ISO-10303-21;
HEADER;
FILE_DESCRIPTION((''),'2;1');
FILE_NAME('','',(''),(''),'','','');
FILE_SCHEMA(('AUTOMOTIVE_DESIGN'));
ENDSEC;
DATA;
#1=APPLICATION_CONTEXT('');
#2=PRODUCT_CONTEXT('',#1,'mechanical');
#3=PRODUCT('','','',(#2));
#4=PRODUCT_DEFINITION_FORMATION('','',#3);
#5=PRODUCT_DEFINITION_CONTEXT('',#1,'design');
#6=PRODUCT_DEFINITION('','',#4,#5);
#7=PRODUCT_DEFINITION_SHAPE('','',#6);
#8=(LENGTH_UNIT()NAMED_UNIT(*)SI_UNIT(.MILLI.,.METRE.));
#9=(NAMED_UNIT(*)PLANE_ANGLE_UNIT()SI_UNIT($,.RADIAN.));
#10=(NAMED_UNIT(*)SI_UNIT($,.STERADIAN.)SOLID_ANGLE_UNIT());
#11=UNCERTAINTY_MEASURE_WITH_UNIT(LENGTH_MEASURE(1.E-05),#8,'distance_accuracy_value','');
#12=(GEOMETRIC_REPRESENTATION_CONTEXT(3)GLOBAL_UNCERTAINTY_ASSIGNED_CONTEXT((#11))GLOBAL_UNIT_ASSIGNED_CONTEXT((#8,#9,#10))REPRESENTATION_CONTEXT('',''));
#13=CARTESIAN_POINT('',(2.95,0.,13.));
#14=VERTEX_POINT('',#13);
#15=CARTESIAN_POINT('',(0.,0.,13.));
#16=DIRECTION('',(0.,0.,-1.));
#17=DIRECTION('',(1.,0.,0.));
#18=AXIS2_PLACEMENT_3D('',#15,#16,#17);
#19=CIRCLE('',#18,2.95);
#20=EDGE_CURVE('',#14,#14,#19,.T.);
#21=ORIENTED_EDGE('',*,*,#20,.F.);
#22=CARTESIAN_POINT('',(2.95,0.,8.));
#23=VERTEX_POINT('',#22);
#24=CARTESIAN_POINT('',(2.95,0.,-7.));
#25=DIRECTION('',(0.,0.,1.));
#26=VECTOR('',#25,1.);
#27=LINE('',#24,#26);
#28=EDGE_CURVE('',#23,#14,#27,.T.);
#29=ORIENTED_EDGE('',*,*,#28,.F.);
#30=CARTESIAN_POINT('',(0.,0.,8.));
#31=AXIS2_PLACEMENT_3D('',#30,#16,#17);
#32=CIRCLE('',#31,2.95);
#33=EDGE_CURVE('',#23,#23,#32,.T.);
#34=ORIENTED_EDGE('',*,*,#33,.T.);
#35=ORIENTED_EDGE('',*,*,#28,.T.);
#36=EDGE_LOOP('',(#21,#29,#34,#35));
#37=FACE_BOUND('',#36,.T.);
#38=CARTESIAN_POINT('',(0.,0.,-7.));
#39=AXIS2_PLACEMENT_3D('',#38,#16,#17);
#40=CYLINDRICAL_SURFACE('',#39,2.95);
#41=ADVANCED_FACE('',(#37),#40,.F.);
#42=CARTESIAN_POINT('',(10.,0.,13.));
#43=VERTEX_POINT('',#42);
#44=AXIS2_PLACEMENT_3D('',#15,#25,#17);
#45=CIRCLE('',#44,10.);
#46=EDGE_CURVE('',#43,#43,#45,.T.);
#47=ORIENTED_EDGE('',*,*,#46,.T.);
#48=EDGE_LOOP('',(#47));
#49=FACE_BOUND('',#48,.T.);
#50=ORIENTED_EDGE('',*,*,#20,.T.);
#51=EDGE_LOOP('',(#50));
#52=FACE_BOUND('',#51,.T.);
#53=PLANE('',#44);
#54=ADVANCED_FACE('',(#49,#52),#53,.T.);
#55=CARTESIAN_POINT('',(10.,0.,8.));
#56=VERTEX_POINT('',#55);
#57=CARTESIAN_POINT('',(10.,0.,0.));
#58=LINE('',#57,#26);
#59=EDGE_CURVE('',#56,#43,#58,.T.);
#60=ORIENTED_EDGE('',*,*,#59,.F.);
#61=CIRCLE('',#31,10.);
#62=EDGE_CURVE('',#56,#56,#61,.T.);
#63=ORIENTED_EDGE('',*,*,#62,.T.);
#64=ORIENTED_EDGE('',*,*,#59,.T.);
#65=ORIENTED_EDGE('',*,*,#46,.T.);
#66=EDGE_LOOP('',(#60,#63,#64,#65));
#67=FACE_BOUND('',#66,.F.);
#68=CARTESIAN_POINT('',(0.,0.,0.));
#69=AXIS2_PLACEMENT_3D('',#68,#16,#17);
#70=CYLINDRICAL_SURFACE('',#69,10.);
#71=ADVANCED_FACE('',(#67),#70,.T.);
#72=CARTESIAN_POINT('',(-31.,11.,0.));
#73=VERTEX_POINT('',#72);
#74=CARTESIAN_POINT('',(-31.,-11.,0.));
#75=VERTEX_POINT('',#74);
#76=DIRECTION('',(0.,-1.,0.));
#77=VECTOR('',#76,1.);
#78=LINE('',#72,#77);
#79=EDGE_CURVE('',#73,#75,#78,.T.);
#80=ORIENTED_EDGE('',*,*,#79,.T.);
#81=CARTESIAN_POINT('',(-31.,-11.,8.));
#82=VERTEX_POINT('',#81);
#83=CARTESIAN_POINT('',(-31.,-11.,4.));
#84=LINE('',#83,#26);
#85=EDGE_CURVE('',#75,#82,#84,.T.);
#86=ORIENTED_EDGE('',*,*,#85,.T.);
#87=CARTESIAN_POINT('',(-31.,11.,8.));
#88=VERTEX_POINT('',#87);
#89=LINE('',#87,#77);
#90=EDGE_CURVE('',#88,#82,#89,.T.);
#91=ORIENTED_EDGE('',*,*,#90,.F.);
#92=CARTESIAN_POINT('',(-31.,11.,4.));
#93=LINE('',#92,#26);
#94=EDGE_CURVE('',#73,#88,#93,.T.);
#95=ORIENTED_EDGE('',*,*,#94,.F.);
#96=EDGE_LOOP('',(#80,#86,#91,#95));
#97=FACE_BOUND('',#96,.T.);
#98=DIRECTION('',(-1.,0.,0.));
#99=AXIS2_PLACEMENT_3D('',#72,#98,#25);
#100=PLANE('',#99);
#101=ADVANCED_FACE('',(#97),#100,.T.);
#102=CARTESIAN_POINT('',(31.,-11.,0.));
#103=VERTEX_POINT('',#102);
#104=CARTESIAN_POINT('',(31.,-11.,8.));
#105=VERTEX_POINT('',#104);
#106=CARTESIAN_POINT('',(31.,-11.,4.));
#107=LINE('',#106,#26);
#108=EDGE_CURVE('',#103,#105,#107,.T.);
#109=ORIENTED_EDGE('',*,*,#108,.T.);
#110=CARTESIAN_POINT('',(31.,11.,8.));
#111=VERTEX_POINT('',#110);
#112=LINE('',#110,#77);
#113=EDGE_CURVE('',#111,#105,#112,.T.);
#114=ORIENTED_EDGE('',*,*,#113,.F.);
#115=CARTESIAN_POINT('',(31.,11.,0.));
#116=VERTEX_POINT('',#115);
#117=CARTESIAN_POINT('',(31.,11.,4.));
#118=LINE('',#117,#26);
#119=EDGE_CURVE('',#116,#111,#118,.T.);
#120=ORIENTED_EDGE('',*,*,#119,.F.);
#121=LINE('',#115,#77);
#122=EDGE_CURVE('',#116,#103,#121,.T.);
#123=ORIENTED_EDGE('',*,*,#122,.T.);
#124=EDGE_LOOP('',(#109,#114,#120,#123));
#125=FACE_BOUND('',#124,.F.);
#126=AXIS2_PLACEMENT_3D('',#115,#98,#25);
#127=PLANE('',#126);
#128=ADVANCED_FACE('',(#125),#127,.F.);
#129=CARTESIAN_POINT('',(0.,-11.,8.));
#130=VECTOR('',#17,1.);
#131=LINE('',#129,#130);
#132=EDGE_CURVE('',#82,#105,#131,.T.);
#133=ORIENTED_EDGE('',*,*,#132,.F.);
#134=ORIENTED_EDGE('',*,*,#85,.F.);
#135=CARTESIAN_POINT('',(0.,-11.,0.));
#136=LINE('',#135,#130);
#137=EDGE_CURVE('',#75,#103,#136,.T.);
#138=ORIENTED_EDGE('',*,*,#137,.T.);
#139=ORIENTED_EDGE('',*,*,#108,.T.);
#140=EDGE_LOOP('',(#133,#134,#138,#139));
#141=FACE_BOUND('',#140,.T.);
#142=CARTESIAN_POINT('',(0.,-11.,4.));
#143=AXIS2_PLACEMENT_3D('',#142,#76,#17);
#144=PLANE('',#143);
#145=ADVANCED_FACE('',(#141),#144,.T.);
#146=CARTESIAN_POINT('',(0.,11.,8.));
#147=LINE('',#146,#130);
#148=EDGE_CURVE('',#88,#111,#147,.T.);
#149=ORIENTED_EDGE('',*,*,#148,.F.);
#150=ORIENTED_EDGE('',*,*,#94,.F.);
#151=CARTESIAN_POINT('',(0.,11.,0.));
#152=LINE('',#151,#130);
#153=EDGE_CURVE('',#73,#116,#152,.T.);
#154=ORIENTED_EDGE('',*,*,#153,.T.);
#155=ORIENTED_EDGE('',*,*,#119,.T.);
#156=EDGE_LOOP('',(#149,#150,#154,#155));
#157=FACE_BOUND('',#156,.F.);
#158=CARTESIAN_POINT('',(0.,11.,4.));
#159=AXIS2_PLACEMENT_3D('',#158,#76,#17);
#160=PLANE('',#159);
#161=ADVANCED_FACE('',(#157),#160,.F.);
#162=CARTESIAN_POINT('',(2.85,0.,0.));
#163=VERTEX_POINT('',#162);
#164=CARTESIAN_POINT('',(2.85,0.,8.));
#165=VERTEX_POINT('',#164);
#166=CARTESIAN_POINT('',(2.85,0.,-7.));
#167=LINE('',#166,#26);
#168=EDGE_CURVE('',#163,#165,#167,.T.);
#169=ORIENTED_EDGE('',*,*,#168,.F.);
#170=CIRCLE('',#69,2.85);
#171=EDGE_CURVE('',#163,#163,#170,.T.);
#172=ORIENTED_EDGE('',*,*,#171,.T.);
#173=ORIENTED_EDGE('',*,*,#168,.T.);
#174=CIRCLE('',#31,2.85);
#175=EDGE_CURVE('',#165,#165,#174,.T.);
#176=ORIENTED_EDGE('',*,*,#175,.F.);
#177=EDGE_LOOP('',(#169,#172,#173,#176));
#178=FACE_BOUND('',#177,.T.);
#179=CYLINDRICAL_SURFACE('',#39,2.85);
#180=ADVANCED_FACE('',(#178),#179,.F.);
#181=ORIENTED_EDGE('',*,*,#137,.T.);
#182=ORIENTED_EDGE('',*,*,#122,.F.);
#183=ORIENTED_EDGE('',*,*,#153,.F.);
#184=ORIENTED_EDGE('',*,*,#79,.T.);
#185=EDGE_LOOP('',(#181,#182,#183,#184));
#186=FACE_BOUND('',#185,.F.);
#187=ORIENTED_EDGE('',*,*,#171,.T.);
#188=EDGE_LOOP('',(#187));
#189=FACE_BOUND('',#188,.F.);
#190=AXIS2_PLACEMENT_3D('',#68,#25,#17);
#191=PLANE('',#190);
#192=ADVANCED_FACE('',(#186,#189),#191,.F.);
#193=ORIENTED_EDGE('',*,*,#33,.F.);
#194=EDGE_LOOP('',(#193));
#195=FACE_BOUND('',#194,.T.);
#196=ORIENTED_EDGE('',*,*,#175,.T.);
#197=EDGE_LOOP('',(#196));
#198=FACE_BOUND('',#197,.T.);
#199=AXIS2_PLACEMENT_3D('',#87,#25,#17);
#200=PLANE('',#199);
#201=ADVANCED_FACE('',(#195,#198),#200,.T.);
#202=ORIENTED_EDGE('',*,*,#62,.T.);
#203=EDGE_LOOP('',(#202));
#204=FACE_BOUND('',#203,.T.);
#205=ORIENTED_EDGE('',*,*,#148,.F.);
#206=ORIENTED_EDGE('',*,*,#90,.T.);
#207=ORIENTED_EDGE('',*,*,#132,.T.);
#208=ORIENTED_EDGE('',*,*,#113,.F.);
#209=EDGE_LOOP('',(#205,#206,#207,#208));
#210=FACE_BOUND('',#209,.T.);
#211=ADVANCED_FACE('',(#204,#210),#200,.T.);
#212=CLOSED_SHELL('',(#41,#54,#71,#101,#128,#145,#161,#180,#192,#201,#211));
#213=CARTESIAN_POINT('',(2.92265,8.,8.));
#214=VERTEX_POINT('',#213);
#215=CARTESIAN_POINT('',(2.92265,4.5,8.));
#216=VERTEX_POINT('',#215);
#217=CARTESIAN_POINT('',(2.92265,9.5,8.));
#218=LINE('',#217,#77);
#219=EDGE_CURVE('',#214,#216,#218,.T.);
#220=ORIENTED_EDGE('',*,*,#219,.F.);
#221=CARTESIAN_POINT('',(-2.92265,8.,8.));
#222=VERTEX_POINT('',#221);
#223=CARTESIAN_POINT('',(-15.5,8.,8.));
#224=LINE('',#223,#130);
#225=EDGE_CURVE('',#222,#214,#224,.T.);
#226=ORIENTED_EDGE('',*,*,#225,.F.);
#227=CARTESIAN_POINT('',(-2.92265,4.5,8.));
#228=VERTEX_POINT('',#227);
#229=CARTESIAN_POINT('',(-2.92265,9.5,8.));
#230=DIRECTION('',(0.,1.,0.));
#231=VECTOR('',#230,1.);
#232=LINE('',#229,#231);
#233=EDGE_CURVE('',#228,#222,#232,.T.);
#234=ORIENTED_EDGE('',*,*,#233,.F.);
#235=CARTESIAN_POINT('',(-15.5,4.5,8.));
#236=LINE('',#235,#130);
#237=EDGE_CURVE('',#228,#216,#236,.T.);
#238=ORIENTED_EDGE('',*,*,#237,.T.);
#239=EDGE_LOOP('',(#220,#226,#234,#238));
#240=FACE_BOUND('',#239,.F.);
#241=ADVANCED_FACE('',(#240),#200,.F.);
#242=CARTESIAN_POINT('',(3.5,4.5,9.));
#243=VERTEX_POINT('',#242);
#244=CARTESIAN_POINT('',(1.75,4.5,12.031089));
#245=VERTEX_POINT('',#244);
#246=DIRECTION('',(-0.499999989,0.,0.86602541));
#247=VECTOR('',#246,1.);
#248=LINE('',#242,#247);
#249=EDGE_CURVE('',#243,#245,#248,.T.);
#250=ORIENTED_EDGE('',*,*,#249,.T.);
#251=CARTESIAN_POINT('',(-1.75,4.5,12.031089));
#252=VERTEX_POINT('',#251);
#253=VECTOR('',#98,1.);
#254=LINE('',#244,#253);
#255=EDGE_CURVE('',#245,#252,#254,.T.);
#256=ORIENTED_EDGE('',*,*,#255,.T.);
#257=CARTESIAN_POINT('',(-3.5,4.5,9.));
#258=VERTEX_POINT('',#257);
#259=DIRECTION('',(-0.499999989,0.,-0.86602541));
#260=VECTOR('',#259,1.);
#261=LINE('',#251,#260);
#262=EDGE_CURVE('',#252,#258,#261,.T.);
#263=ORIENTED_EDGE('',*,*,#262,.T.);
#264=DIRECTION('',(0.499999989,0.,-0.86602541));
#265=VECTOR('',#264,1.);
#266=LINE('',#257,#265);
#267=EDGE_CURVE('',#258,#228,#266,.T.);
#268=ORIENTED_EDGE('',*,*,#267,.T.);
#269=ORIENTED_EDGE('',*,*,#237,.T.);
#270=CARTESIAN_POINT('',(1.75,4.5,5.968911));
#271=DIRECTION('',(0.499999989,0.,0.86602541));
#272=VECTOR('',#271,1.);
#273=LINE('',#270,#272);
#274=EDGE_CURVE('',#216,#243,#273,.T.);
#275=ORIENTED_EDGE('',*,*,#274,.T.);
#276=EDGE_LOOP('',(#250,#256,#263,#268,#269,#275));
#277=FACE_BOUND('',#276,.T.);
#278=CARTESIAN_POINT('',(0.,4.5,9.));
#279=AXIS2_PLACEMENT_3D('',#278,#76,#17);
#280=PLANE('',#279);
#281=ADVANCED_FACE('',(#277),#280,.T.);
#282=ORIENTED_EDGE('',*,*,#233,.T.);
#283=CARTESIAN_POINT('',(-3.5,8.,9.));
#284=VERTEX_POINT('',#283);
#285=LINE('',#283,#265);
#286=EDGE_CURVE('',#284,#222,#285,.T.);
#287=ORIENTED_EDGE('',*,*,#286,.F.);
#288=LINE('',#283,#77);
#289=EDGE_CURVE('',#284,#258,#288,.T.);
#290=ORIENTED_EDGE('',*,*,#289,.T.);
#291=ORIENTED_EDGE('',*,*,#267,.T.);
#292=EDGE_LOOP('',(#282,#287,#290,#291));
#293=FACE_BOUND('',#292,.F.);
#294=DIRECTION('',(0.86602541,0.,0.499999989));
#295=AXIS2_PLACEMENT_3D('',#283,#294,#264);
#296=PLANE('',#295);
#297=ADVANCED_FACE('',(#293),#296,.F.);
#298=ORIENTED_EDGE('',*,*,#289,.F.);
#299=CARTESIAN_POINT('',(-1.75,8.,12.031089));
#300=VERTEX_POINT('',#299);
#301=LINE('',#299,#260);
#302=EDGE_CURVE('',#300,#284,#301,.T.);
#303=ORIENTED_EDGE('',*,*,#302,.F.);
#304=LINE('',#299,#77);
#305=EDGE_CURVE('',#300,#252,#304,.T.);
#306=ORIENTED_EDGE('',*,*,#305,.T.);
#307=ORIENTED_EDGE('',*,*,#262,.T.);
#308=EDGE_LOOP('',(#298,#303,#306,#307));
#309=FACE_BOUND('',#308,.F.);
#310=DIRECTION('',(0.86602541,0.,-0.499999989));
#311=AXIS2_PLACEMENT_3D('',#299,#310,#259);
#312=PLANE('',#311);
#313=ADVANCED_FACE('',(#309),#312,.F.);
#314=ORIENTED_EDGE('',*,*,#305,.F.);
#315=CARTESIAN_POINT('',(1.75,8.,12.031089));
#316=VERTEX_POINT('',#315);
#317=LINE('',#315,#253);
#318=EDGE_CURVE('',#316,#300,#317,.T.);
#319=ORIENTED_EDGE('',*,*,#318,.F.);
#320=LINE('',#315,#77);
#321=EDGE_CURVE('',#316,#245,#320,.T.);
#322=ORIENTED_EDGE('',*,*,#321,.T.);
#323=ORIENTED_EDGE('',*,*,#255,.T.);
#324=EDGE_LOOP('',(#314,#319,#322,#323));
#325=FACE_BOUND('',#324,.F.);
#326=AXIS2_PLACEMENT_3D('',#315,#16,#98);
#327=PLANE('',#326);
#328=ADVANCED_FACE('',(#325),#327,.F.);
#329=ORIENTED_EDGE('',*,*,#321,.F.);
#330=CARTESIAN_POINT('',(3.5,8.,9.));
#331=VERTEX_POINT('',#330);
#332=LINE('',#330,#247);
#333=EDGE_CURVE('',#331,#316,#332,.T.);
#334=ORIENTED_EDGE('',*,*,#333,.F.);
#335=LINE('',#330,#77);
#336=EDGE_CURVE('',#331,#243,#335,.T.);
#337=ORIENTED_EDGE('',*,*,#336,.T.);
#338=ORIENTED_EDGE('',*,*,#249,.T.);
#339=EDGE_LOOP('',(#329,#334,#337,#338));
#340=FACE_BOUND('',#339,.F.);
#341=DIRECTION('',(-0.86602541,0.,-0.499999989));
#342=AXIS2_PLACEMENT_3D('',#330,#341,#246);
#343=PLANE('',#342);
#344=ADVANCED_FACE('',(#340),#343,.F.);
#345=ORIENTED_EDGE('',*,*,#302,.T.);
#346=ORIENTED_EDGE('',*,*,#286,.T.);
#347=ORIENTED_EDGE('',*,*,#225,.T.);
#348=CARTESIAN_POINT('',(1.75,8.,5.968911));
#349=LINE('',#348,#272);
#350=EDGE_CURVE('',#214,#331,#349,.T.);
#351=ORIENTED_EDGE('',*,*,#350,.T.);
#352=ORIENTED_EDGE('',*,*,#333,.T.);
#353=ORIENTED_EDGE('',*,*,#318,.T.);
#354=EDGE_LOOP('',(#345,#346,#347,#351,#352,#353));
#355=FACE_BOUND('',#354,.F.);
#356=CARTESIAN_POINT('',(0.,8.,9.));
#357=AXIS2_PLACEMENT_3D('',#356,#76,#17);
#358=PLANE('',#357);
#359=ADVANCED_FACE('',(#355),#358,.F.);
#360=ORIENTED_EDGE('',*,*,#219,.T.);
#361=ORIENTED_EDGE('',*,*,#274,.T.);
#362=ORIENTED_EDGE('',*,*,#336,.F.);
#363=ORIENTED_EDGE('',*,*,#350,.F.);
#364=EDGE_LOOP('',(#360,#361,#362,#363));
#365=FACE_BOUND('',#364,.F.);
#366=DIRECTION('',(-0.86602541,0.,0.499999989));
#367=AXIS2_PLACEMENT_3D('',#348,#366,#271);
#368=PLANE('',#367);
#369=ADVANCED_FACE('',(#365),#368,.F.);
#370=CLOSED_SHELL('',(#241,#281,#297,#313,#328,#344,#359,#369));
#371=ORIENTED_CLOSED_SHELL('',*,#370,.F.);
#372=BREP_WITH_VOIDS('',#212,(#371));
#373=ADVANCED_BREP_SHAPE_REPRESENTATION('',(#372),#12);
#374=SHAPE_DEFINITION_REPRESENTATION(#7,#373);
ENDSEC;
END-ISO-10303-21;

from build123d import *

# Parameters (mm, degrees)
PRISM001_DEPTH    = 3.5
CYLINDER006_R     = 2.95
CYLINDER006_DEPTH = 25
CYLINDER005_R     = 10
CYLINDER005_DEPTH = 13
CYLINDER007_R     = 2.85
CYLINDER007_DEPTH = 25
BOX002_W          = 62
BOX002_H          = 8
BOX002_DEPTH      = 22


with BuildPart() as prisma001:
    # Prism001 → Prism001 (new body)
    with BuildSketch(Plane(origin=(0, 8, 9), x_dir=(1, 0, 0), z_dir=(0, -1, 0))):
        Polygon((3.5, 0), (1.75, 3.031089), (-1.75, 3.031089), (-3.5, 0), (-1.75, -3.031089), (1.75, -3.031089), align=None)
    extrude(amount=PRISM001_DEPTH)


with BuildPart() as cilindro006:
    # Cylinder006 → Cylinder006 (new body)
    with BuildSketch(Plane.XY.offset(-7)):
        Circle(CYLINDER006_R)
    extrude(amount=CYLINDER006_DEPTH)


with BuildPart() as cut006:
    # Cylinder005 → Cylinder005 (new body)
    with BuildSketch(Plane.XY):
        Circle(CYLINDER005_R)
    extrude(amount=CYLINDER005_DEPTH)

    # Cut005: cut Cilindro006
    add(cilindro006.part, mode=Mode.SUBTRACT)

    # Cut006: cut Prisma001
    add(prisma001.part, mode=Mode.SUBTRACT)


with BuildPart() as cilindro007:
    # Cylinder007 → Cylinder007 (new body)
    with BuildSketch(Plane.XY.offset(-7)):
        Circle(CYLINDER007_R)
    extrude(amount=CYLINDER007_DEPTH)


with BuildPart() as fusion:
    # Box002 → Box002 (new body)
    with BuildSketch(Plane(origin=(-31, 11, 0), x_dir=(1, 0, 0), z_dir=(0, -1, 0))):
        with Locations((31, 4)):
            Rectangle(BOX002_W, BOX002_H)
    extrude(amount=BOX002_DEPTH)

    # Cut: cut Cilindro007
    add(cilindro007.part, mode=Mode.SUBTRACT)

    # Fusion: union Cut006
    add(cut006.part)


solid = fusion.part
